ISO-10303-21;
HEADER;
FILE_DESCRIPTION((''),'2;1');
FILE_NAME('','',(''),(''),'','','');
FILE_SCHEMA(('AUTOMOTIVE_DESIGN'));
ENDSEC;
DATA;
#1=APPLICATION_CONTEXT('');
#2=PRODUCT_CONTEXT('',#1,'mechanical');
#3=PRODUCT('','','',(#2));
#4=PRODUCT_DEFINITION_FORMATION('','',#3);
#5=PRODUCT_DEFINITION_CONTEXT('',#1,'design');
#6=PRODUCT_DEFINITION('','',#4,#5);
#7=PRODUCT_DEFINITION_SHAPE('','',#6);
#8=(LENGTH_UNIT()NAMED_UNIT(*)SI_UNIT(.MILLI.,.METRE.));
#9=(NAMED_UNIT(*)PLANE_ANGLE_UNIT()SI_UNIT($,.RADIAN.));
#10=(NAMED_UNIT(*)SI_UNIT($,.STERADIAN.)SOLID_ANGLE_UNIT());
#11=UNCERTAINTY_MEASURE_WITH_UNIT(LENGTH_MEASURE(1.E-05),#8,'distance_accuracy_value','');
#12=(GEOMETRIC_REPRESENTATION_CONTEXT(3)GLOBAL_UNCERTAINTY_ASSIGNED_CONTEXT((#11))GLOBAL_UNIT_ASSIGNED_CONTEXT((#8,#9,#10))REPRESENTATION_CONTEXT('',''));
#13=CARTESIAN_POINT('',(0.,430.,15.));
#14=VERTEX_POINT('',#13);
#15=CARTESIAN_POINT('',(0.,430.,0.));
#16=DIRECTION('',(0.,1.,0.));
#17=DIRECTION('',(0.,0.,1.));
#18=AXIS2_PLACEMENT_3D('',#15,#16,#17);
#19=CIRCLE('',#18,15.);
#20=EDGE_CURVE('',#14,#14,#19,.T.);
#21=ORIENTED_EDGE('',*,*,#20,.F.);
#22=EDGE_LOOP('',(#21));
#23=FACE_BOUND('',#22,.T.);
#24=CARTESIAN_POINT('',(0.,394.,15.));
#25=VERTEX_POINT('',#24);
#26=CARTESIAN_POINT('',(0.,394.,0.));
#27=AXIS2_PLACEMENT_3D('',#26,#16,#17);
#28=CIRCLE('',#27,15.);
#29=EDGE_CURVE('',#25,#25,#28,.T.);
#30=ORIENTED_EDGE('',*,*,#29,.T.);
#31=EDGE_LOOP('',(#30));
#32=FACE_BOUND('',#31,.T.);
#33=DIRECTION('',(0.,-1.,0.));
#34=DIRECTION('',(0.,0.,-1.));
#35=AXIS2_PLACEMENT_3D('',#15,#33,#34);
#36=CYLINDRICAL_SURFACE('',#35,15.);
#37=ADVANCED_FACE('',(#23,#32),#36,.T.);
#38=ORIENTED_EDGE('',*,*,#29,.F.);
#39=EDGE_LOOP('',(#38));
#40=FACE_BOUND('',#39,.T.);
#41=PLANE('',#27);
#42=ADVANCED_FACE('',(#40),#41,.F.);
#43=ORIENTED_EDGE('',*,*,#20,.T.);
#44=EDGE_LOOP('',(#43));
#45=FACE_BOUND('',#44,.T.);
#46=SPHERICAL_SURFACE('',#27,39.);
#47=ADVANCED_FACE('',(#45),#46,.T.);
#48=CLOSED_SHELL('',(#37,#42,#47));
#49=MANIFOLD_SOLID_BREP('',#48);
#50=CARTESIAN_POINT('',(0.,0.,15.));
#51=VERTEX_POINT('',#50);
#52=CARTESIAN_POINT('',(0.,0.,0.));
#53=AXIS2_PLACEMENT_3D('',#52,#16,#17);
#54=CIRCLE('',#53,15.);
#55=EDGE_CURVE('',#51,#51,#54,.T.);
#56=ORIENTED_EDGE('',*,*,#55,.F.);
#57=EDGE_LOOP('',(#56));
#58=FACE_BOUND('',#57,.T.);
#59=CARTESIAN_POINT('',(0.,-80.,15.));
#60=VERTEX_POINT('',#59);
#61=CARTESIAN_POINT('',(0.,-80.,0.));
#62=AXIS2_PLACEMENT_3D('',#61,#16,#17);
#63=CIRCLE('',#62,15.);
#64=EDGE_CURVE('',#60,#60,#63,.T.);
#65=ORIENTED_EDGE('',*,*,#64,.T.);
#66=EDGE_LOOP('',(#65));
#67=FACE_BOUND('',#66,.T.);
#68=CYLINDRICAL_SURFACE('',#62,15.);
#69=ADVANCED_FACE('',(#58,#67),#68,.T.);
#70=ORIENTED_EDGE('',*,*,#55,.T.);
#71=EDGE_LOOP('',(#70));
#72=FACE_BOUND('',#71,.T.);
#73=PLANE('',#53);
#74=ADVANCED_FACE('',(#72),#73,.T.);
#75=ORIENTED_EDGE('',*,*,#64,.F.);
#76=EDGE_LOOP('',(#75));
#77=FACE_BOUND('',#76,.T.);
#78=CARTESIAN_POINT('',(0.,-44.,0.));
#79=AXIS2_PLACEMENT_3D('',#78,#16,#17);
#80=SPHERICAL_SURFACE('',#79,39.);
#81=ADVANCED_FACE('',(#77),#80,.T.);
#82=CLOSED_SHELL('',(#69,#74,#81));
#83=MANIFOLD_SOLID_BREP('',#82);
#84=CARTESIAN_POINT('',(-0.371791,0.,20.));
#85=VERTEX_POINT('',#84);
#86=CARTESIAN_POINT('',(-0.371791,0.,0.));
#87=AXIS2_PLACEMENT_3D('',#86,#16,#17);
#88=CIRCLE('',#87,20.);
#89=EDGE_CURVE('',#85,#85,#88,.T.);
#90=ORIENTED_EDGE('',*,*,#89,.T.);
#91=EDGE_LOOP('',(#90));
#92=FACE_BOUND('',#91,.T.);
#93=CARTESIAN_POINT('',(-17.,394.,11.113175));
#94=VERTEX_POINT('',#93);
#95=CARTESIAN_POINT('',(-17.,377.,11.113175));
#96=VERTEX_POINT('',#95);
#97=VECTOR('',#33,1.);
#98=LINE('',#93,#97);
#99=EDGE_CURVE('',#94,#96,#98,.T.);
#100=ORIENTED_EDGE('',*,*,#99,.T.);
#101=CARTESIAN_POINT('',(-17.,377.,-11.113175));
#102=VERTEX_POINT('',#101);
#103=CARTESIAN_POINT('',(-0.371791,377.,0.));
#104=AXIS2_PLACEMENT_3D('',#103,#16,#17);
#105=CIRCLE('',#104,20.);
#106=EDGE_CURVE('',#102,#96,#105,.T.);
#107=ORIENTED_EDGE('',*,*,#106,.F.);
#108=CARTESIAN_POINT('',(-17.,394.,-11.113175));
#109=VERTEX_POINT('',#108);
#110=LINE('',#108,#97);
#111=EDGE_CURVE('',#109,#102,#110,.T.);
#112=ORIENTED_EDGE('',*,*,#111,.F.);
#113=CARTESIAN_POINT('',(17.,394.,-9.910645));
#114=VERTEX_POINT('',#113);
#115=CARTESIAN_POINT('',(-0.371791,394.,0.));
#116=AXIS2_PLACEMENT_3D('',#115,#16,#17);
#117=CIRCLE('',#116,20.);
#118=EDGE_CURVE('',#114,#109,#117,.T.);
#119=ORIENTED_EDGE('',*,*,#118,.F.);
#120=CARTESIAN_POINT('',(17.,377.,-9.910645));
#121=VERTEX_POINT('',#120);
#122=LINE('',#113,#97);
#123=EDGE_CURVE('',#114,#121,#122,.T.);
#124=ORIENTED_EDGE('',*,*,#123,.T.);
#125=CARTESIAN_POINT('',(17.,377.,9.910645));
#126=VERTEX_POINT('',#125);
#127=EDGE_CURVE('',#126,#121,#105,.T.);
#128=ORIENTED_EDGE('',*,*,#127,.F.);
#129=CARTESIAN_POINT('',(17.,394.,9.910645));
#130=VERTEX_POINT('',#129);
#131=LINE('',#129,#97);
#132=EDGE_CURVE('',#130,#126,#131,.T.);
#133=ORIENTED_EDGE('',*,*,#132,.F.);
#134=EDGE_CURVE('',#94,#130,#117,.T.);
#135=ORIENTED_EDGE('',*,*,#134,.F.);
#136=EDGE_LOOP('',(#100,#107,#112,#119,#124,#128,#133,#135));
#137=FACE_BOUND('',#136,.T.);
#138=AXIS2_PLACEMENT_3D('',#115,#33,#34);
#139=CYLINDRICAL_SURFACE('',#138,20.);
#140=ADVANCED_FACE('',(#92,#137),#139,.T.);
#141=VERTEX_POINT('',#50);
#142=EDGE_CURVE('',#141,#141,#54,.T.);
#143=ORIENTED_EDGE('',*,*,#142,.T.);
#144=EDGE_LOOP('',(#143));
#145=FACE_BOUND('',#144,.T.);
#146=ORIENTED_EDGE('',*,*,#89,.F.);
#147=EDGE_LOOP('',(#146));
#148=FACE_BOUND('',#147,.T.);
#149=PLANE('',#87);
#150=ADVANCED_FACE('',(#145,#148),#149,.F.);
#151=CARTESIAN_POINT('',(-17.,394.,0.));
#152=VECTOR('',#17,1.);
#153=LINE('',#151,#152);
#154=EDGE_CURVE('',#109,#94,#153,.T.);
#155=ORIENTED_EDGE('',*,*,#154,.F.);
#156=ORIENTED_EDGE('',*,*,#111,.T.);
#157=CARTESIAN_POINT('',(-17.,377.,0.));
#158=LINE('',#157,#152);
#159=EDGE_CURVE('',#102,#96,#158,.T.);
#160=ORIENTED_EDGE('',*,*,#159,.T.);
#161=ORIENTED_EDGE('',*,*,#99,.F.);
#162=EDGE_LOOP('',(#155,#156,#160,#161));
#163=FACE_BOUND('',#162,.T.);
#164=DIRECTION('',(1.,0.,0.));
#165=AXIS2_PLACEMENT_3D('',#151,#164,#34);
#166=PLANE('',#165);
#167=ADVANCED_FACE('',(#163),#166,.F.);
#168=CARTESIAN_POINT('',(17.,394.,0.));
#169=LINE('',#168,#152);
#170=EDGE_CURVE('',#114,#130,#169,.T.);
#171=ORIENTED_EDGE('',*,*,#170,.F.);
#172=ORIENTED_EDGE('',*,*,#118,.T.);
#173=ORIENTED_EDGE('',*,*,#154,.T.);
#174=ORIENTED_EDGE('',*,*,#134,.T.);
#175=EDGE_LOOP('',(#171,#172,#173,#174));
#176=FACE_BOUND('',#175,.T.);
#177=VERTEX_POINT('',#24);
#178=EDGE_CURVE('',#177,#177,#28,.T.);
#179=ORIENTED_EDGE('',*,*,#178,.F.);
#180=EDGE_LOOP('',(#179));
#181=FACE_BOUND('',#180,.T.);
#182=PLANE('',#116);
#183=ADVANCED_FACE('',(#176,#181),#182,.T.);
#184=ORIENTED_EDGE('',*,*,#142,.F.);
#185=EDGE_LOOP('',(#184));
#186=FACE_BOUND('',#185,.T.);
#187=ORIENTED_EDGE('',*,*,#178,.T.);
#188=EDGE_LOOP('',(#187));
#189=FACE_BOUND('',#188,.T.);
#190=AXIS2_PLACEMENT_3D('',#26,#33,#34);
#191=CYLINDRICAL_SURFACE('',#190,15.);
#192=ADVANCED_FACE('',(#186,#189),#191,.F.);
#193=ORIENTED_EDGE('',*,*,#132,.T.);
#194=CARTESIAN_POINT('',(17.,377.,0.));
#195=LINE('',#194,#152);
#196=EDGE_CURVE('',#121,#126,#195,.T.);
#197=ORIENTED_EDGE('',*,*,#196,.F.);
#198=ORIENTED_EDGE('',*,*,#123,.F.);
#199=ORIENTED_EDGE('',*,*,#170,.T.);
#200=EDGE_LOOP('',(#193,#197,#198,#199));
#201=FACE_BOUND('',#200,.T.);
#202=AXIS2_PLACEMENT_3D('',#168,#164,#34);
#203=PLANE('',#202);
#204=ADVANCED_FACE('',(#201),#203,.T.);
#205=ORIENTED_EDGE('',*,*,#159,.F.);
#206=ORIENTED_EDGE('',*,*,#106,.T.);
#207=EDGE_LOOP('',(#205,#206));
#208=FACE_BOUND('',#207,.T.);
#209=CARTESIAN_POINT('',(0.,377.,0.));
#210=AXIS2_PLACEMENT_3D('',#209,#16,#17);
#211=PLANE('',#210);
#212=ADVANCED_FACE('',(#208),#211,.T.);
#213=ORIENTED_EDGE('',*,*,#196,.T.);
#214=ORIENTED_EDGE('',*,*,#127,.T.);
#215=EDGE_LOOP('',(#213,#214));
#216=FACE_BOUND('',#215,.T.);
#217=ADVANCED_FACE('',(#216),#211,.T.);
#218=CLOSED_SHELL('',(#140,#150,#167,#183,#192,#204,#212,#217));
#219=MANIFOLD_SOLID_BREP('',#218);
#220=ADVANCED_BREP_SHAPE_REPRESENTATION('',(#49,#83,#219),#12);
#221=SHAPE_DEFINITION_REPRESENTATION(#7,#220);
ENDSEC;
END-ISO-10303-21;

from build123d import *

# Parameters (mm, degrees)
SKETCH1_R           = 20
SKETCH1_R_2         = 15
BOSS_EXTRUDE1_DEPTH = 394
BOSS_EXTRUDE2_START = 394
SKETCH1_2_R         = 15
BOSS_EXTRUDE2_DEPTH = 36
SKETCH1_3_R         = 15
BOSS_EXTRUDE3_DEPTH = 80
CUT_EXTRUDE1_START  = 377
CUT_EXTRUDE1_DEPTH  = 17
DOME8_FACE_RADIUS   = 15
DOME8_HEIGHT        = 3
DOME9_FACE_RADIUS   = 15
DOME9_HEIGHT        = 3


with BuildPart() as part:
    # Sketch1 → Boss-Extrude1 (new body)
    with BuildSketch(Plane(origin=(0, 0, 0), x_dir=(1, 0, 0), z_dir=(0, 1, 0))):
        with Locations(Location((-0.371790911, 0, 0), (0, 0, 270))):
            Circle(SKETCH1_R)
        with Locations(Location((0, 0, 0), (0, 0, 270))):
            Circle(SKETCH1_R_2, mode=Mode.SUBTRACT)
    extrude(amount=BOSS_EXTRUDE1_DEPTH)

    # Sketch2 → Cut-Extrude1 (cut)
    with BuildSketch(Plane(origin=(0, 0, 0), x_dir=(1, 0, 0), z_dir=(0, 1, 0)).offset(CUT_EXTRUDE1_START)):
        with BuildLine():
            Line((-17, 11.113175176), (-17, -11.113175176))
            ThreePointArc((-17, -11.113175176), (-20.371790911, 0), (-17, 11.113175176))
        make_face()
        with BuildLine():
            ThreePointArc((17, -9.91064481), (19.628209089, 0), (17, 9.91064481))
            Line((17, 9.91064481), (17, -9.91064481))
        make_face()
    extrude(amount=CUT_EXTRUDE1_DEPTH, mode=Mode.SUBTRACT)


with BuildPart() as body_2:
    # Sketch1<2> → Boss-Extrude2 (new body)
    with BuildSketch(Plane(origin=(0, 0, 0), x_dir=(1, 0, 0), z_dir=(0, 1, 0)).offset(BOSS_EXTRUDE2_START)):
        with Locations(Location((0, 0, 0), (0, 0, 270))):
            Circle(SKETCH1_2_R)
    extrude(amount=BOSS_EXTRUDE2_DEPTH)

    # Dome8: a dome of height H over a round flat face of radius A is a cap of a sphere of radius (A * A + H * H) / (2 * H)
    dome8_r = (DOME8_FACE_RADIUS * DOME8_FACE_RADIUS + DOME8_HEIGHT * DOME8_HEIGHT) / (2 * DOME8_HEIGHT)
    dome8_base = Plane((0, 430, 0), z_dir=(0, 1, 0))
    with Locations(dome8_base.offset(DOME8_HEIGHT - dome8_r)):
        dome8_ball = Sphere(dome8_r, mode=Mode.PRIVATE)
    add(split(dome8_ball, bisect_by=dome8_base, keep=Keep.TOP, mode=Mode.PRIVATE))


with BuildPart() as body_3:
    # Sketch1<3> → Boss-Extrude3 (new body)
    with BuildSketch(Plane(origin=(0, 0, 0), x_dir=(1, 0, 0), z_dir=(0, 1, 0))):
        with Locations(Location((0, 0, 0), (0, 0, 270))):
            Circle(SKETCH1_3_R)
    extrude(amount=-BOSS_EXTRUDE3_DEPTH)

    # Dome9: a dome of height H over a round flat face of radius A is a cap of a sphere of radius (A * A + H * H) / (2 * H)
    dome9_r = (DOME9_FACE_RADIUS * DOME9_FACE_RADIUS + DOME9_HEIGHT * DOME9_HEIGHT) / (2 * DOME9_HEIGHT)
    dome9_base = Plane((0, -80, 0), z_dir=(0, -1, 0))
    with Locations(dome9_base.offset(DOME9_HEIGHT - dome9_r)):
        dome9_ball = Sphere(dome9_r, mode=Mode.PRIVATE)
    add(split(dome9_ball, bisect_by=dome9_base, keep=Keep.TOP, mode=Mode.PRIVATE))


solid = Compound([part.part, body_2.part, body_3.part])
